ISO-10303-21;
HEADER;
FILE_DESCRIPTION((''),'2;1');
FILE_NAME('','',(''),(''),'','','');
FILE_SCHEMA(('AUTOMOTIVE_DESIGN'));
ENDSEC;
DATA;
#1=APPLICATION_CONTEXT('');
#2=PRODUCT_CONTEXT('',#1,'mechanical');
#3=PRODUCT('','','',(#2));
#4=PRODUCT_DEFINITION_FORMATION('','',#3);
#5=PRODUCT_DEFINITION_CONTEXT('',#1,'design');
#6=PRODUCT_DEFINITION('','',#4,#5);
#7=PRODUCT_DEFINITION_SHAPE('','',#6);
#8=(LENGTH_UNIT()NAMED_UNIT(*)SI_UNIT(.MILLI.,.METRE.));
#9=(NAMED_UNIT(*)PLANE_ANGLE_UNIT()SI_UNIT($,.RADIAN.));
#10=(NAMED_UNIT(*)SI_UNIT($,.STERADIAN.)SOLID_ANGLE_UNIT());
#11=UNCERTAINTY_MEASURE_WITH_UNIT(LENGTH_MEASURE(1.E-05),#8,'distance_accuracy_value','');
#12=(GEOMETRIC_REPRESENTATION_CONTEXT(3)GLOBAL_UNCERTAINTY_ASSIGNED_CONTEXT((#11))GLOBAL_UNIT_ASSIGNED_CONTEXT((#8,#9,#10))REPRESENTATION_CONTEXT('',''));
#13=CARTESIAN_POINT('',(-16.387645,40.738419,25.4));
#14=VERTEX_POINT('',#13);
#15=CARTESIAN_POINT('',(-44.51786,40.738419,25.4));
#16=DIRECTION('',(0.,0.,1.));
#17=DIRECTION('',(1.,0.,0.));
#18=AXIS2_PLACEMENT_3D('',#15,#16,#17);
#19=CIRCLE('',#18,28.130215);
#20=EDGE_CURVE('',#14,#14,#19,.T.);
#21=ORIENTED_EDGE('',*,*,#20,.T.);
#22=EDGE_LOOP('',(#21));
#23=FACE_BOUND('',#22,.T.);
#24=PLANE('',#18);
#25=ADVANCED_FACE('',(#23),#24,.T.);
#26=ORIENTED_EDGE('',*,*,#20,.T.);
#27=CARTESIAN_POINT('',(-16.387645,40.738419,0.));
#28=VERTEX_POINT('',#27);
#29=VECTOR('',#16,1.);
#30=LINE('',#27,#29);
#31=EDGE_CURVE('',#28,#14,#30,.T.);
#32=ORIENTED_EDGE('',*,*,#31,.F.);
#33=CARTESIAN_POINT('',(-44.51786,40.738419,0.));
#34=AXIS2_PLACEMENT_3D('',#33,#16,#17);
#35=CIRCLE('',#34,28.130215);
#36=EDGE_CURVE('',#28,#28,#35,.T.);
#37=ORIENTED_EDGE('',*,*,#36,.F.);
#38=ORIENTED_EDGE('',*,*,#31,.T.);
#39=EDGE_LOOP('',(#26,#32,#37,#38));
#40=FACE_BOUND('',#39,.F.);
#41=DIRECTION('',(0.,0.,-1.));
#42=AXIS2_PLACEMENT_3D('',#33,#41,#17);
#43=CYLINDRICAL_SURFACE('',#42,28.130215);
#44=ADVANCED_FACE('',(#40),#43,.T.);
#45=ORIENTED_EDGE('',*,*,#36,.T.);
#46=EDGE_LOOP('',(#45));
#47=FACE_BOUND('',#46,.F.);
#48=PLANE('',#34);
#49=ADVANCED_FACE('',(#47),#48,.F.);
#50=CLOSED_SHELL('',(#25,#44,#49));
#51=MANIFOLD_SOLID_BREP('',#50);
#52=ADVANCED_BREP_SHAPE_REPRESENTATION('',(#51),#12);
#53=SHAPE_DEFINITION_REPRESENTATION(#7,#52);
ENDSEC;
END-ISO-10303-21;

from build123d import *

# Parameters (mm, degrees)
F1_R     = 28.1302146261
F2_DEPTH = 25.4


with BuildPart() as f2:
    # F1 (on face) → F2 (new body)
    with BuildSketch(Plane.XY):
        with Locations((-44.5178598166, 40.7384186983)):
            Circle(F1_R)
    extrude(amount=F2_DEPTH)


solid = f2.part
